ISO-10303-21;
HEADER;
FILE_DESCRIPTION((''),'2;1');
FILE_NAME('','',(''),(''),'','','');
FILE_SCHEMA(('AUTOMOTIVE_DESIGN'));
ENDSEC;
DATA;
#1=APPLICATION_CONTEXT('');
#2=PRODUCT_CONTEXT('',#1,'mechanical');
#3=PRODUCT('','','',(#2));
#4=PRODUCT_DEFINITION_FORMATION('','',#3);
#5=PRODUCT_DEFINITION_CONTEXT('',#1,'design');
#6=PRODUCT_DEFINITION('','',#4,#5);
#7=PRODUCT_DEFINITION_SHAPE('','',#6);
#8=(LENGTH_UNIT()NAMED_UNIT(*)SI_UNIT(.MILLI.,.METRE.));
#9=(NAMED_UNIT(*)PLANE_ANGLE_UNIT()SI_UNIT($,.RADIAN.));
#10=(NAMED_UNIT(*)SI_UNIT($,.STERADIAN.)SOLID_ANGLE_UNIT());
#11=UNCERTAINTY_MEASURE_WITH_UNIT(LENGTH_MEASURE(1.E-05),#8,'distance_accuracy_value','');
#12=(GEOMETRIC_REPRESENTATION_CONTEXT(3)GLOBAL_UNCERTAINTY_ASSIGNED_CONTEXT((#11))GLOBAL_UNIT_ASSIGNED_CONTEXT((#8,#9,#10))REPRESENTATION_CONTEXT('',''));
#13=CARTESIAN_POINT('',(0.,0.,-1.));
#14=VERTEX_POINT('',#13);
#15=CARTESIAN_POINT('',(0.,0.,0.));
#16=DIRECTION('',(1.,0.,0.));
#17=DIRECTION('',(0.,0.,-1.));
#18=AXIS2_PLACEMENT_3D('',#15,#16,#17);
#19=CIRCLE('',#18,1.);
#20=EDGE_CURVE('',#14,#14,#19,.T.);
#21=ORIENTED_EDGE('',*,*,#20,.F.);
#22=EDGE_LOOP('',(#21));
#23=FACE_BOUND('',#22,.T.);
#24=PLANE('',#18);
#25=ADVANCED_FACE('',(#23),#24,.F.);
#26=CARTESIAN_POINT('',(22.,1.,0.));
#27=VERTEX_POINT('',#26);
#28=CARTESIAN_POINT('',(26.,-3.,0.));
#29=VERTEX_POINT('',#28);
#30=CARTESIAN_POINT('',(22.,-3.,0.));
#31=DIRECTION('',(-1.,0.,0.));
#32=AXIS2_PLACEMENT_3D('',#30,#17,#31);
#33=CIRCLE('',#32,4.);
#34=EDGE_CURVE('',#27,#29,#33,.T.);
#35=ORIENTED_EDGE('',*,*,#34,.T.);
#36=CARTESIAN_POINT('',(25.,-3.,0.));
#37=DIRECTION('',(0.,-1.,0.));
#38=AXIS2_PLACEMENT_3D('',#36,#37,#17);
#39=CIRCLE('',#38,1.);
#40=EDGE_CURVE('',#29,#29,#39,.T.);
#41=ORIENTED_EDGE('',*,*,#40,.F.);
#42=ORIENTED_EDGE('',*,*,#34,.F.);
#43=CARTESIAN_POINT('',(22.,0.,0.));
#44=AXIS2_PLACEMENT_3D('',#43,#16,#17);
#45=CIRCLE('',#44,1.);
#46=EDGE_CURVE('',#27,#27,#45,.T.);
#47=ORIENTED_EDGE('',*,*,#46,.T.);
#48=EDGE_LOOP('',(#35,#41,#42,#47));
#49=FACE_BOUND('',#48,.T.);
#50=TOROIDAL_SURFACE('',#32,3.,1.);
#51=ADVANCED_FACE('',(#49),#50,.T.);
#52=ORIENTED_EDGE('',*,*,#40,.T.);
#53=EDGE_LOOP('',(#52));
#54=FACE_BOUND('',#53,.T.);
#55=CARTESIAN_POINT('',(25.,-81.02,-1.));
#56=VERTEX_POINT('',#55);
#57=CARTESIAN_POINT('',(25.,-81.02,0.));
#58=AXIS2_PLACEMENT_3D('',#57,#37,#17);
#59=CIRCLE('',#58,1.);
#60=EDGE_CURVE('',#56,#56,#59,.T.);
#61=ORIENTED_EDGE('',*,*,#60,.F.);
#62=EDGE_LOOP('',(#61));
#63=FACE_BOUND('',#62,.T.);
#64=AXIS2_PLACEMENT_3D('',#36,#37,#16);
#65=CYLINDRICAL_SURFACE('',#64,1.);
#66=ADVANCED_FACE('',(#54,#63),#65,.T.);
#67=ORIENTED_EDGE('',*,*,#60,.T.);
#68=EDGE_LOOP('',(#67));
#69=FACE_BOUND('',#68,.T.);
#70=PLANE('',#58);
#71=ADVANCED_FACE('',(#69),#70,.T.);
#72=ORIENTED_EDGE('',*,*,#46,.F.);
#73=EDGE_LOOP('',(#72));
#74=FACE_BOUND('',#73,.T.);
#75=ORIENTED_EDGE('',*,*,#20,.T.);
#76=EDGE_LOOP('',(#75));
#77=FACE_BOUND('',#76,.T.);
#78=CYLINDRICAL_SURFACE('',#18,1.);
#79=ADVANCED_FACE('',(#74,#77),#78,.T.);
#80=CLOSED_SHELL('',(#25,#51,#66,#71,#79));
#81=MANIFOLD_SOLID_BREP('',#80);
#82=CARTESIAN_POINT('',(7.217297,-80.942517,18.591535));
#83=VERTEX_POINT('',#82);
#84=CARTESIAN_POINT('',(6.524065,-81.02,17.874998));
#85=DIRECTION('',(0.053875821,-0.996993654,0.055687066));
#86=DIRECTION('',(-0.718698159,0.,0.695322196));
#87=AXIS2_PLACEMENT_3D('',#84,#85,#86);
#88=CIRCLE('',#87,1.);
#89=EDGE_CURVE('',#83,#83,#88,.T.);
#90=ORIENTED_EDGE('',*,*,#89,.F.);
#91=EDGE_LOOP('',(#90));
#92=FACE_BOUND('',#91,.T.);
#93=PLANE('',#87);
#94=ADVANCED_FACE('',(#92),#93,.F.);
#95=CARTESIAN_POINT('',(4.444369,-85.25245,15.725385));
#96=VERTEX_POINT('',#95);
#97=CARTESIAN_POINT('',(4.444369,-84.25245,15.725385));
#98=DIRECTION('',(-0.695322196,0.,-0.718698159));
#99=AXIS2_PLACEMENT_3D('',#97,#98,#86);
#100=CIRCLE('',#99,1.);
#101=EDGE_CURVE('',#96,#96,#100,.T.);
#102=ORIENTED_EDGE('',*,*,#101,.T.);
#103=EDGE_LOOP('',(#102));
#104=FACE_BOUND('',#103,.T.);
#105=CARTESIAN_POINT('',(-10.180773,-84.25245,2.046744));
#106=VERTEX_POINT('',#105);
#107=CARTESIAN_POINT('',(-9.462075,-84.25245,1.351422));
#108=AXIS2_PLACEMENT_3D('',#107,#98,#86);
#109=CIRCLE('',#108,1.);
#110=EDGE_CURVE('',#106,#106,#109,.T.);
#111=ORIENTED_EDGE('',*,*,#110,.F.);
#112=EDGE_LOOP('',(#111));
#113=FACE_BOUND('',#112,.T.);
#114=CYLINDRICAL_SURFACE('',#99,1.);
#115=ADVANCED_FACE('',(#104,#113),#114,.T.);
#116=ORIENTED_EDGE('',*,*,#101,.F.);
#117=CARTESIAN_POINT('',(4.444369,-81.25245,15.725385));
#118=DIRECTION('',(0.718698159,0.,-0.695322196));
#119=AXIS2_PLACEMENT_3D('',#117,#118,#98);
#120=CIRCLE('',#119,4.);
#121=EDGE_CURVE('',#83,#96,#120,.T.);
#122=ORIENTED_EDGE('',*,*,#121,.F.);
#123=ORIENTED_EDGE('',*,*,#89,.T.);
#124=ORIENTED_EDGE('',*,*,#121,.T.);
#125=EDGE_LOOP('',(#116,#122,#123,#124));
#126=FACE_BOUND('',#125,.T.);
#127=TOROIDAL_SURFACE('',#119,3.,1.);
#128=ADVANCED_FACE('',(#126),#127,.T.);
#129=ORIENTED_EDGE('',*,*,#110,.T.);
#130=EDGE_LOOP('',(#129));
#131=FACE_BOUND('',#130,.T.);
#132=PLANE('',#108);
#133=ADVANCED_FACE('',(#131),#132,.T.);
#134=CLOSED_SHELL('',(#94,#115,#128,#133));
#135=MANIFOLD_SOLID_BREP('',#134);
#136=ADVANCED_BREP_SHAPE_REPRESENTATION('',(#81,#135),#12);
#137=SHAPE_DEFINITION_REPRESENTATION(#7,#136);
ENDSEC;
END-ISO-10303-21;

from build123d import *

# Parameters (mm, degrees)
SKETCH3_R = 1
SKETCH6_R = 1


with BuildPart() as part:
    # Sweep1: sweep along a path in Sketch1
    with BuildLine(Plane.XY) as sweep1_path:
        Line((0, 0), (22, 0))
        ThreePointArc((22, 0), (24.121320344, -0.878679656), (25, -3))
        Line((25, -3), (25, -81.02))
    # Sketch3 → Sweep1 (sweep)
    with BuildSketch(Plane(origin=(0, 0, 0), x_dir=(0, 0, -1), z_dir=(1, 0, 0))):
        Circle(SKETCH3_R)
    sweep(path=sweep1_path.line)


with BuildPart() as body_2:
    # Sweep3: sweep along a path in Sketch4
    with BuildLine(Plane(origin=(-5.562759222, 0, 5.381828123), x_dir=(-0.6953221964979748, 0, -0.718698158518047), z_dir=(0.718698158518047, 0, -0.6953221964979748))) as sweep3_path:
        Line((5.60792605, -84.252449737), (-14.39207395, -84.252449737))
        ThreePointArc((-14.39207395, -84.252449737), (-16.594044568, -83.289929895), (-17.383054912, -81.02))
    # Sketch6 → Sweep3 (sweep)
    with BuildSketch(Plane(origin=(-9.462074682, -84.252449737, 1.351421997), x_dir=(-0.718698158518047, 0, 0.6953221964979748), z_dir=(-0.6953221964979748, 1.3877787807814465e-15, -0.718698158518047))):
        Circle(SKETCH6_R)
    sweep(path=sweep3_path.line)


solid = Compound([part.part, body_2.part])
